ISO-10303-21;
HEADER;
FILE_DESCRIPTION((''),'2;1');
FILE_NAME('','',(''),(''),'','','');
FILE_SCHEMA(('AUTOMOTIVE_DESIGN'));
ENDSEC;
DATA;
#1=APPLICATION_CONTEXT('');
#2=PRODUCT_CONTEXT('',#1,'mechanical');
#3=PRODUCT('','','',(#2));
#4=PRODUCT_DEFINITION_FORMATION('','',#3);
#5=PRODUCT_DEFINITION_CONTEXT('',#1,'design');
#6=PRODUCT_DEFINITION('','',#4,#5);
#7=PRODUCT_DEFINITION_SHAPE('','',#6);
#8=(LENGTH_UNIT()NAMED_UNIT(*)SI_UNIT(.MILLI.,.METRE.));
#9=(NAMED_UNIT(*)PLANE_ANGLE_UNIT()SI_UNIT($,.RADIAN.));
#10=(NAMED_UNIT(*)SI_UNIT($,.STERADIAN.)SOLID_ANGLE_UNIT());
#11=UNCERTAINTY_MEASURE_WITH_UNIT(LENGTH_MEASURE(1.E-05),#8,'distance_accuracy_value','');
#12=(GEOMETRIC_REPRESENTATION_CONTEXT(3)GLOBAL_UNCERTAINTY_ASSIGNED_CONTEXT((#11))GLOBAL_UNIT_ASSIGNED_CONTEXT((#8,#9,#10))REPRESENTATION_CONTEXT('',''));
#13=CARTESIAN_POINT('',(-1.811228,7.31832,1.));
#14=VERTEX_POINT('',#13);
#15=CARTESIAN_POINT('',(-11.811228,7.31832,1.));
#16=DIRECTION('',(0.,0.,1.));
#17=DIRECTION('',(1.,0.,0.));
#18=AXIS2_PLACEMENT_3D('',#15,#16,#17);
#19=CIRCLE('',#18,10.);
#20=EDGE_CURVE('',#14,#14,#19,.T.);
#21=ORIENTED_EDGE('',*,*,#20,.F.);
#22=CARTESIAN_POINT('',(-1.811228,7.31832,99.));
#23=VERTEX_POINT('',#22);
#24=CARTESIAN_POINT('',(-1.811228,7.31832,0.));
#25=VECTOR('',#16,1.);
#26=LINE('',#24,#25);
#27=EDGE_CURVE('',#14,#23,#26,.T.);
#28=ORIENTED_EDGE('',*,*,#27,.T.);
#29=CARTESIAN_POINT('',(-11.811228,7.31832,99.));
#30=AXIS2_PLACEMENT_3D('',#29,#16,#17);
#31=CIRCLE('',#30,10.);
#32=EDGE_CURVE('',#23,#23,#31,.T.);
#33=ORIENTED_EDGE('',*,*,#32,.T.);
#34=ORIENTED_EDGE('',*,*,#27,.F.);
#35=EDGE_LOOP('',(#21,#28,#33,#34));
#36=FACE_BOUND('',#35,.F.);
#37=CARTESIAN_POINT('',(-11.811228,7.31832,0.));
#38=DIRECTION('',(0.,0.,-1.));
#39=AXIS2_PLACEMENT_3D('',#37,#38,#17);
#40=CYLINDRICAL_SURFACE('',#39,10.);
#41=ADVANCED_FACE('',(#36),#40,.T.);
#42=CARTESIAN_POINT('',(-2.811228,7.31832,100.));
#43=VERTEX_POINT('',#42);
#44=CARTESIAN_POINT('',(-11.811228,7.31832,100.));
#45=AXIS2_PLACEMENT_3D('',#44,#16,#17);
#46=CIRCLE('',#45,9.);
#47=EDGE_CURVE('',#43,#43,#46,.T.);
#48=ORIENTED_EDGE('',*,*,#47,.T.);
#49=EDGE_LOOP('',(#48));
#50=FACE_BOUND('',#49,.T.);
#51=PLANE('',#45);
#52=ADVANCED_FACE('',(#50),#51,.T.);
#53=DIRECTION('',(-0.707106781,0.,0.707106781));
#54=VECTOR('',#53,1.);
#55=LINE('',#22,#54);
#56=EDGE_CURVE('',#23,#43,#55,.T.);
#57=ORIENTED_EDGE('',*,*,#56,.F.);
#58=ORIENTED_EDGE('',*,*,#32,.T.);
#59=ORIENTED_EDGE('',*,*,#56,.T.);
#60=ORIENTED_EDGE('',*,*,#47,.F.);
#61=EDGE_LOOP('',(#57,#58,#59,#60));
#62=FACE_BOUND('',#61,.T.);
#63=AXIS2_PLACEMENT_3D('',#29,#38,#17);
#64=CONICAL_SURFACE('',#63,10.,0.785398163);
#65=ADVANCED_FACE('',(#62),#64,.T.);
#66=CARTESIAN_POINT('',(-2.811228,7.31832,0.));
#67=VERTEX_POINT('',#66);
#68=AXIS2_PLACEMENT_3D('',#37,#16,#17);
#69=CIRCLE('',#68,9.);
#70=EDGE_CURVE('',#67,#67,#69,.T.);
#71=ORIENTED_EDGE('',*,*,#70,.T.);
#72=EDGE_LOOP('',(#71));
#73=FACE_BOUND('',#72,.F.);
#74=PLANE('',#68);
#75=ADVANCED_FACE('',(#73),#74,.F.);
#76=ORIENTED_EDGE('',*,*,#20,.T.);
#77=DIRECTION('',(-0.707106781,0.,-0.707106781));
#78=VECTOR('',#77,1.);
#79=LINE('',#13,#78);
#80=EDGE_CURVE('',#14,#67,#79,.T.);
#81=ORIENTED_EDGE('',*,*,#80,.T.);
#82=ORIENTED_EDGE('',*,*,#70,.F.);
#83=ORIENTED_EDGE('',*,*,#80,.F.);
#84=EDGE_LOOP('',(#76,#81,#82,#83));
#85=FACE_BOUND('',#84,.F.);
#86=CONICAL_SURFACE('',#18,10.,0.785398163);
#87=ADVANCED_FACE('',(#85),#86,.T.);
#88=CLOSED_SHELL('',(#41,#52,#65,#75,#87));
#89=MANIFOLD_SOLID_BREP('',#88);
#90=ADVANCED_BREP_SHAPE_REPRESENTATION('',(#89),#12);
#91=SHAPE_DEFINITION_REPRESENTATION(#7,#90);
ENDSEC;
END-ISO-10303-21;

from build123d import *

# Parameters (mm, degrees)
F0_R     = 10
F1_DEPTH = 100
F2_SIZE  = 1
F3_SIZE  = 1


with BuildPart() as f1:
    # F0 (on Top) → F1 (new body)
    with BuildSketch(Plane.XY):
        with Locations((-11.811228, 7.31832)):
            Circle(F0_R)
    extrude(amount=F1_DEPTH)

    # F2
    f2_edges = [f1.edges().sort_by_distance(p)[0] for p in [
        (-21.811228, 7.31832, 100),
    ]]
    chamfer(f2_edges, length=F2_SIZE)

    # F3
    f3_edges = [f1.edges().sort_by_distance(p)[0] for p in [
        (-21.811228, 7.31832, 0),
    ]]
    chamfer(f3_edges, length=F3_SIZE)


solid = f1.part
